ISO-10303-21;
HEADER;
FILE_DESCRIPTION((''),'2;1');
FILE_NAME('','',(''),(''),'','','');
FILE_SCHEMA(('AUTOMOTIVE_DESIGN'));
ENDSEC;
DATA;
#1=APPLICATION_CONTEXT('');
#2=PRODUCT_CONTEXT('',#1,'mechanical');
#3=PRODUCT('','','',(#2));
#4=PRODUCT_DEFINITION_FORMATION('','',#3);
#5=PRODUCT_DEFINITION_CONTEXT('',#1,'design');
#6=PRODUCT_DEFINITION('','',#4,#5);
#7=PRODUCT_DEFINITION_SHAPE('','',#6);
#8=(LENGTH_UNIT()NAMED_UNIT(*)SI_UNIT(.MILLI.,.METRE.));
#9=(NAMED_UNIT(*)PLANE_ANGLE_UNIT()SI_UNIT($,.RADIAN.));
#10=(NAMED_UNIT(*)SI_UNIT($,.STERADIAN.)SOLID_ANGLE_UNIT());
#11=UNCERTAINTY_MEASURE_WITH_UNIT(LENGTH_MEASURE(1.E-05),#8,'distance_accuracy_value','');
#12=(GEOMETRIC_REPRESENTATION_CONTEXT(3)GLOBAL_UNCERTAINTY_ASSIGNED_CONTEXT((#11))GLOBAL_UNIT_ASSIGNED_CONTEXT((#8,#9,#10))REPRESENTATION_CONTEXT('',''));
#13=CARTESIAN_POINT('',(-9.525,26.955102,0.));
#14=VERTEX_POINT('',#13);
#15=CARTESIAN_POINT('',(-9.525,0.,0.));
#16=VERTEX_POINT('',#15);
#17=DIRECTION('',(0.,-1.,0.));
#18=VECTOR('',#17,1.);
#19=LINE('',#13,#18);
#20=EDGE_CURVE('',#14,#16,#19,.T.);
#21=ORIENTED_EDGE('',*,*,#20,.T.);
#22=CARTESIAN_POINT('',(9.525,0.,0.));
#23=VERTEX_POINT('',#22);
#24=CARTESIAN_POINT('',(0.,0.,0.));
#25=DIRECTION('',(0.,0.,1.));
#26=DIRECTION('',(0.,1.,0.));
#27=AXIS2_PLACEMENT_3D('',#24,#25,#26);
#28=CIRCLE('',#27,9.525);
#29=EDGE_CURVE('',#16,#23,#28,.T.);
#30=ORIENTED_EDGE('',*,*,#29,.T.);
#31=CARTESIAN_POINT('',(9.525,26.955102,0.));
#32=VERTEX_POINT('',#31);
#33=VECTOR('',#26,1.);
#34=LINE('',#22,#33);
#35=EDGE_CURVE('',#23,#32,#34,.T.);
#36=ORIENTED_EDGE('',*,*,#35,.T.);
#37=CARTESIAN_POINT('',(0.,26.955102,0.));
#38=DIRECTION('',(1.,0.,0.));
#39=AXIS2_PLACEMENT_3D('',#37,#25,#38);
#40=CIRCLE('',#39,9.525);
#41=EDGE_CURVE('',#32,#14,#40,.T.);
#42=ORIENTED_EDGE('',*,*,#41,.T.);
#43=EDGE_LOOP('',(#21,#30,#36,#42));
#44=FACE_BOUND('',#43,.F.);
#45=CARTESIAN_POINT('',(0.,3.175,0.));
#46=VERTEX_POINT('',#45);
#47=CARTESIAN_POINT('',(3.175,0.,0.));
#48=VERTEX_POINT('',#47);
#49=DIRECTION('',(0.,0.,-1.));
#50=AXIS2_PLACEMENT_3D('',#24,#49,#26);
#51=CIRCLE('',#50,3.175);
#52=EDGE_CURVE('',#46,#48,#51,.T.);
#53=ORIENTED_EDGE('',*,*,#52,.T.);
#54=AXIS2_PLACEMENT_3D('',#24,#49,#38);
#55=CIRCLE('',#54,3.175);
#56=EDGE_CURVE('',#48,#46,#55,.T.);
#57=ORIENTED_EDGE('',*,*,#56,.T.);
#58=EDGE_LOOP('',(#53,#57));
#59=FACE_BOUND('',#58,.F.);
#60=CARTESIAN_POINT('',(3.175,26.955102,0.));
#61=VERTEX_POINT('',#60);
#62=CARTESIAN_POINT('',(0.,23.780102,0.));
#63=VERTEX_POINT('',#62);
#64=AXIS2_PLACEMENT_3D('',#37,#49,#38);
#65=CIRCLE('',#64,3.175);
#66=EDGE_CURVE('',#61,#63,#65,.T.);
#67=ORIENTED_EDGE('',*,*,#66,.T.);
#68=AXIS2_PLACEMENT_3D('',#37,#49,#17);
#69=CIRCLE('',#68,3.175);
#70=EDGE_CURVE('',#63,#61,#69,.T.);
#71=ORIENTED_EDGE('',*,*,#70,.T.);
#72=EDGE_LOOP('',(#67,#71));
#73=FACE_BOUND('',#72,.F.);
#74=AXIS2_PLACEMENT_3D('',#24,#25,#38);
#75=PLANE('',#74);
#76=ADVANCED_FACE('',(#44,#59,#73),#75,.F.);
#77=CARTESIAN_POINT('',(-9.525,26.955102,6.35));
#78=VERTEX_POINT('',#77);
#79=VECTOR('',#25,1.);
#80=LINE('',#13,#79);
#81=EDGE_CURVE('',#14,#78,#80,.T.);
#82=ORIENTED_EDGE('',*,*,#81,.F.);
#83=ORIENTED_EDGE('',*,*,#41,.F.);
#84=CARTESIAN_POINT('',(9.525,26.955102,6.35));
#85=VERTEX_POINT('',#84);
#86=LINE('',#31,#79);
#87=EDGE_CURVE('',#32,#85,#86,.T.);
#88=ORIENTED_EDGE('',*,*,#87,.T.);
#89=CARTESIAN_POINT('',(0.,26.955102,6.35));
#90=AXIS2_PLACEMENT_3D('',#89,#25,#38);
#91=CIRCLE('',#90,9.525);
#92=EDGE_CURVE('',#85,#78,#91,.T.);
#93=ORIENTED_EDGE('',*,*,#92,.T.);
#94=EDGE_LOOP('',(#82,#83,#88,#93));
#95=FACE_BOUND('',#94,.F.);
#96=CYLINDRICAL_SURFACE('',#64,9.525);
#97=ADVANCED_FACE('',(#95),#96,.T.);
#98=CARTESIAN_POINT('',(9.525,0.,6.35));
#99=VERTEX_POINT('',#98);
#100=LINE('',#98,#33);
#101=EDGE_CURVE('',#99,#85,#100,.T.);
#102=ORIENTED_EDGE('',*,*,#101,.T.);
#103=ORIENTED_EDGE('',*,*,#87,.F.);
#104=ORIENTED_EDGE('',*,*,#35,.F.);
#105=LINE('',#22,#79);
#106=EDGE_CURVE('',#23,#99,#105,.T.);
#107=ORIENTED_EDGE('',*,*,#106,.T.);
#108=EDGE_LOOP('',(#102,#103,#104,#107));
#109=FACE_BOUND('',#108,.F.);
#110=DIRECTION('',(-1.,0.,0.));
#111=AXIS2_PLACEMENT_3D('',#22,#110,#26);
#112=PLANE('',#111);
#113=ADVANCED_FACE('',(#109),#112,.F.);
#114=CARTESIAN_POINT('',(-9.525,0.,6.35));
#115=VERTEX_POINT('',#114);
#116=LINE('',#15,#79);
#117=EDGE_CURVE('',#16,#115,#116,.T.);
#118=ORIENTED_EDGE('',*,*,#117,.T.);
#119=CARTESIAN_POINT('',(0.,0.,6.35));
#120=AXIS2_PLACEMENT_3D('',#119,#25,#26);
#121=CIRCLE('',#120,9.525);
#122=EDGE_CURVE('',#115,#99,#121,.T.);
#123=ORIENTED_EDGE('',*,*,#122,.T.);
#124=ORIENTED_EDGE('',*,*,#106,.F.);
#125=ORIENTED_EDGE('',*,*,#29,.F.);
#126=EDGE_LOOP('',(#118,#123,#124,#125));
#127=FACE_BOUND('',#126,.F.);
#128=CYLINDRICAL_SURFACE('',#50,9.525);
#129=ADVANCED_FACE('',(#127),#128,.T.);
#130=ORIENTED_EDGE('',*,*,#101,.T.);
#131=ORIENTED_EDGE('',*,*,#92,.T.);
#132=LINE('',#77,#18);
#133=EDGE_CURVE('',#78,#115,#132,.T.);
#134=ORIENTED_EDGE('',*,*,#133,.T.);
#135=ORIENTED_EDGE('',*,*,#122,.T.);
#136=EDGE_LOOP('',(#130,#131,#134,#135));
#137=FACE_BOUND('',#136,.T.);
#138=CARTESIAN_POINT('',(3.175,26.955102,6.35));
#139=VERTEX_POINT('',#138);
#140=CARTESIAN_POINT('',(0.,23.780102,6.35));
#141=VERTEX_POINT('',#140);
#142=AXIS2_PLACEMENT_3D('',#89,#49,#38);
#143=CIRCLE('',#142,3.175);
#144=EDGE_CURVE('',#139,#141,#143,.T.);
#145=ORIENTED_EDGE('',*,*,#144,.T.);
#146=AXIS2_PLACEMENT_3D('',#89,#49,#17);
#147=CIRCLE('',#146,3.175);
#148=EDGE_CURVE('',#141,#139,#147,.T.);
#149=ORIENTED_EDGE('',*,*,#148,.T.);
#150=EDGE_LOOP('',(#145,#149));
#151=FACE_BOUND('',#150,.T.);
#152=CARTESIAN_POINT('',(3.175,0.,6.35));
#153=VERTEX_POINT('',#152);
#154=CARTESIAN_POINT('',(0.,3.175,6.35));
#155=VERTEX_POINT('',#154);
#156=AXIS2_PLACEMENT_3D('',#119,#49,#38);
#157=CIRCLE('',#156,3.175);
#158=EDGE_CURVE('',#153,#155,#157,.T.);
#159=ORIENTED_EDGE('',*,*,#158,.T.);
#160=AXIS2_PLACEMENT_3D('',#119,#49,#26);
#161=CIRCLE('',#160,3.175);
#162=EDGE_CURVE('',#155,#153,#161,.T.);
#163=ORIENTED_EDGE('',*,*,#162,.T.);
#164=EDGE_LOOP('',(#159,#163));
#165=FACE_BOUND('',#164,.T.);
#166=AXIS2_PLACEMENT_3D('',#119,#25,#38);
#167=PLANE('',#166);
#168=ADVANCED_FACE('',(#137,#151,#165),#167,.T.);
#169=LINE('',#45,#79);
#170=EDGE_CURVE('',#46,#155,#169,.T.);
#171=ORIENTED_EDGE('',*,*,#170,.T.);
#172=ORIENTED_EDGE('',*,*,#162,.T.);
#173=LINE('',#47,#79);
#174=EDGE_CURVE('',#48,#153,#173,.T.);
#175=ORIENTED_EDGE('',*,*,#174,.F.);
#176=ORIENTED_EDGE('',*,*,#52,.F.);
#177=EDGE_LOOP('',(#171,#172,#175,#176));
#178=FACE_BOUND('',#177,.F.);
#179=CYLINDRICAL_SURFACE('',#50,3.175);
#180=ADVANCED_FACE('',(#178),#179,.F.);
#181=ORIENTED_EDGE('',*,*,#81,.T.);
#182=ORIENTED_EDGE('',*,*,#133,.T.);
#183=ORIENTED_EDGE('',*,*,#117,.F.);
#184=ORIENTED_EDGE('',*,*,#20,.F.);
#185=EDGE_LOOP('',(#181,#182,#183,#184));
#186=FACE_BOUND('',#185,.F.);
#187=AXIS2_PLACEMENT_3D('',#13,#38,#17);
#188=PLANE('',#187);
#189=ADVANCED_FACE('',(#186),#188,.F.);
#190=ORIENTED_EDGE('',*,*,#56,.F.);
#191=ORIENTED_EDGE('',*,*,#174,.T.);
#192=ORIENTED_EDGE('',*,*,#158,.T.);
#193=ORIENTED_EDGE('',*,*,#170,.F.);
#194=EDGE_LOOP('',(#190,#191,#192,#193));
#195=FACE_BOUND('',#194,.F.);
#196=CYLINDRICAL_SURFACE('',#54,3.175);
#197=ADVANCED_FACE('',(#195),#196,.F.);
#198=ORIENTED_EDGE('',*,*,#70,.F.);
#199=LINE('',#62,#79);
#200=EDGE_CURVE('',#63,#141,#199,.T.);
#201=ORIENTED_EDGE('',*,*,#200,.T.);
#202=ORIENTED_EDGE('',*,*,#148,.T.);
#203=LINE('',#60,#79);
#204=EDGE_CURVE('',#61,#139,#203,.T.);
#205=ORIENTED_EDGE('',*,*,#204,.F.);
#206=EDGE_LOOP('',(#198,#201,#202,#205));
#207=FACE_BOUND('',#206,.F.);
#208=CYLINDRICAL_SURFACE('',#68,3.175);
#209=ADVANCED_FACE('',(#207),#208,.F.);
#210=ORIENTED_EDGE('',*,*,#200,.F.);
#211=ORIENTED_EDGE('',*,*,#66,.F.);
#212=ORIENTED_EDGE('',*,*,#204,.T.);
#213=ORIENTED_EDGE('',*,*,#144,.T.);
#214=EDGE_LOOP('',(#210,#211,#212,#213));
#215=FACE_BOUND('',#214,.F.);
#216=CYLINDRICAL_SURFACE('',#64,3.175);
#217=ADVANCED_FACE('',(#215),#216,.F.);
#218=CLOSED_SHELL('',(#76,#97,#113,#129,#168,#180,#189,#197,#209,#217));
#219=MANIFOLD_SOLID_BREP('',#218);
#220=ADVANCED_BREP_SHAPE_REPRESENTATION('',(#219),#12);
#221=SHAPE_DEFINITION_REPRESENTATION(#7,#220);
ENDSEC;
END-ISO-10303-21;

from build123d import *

# Parameters (mm, degrees)
F1_DEPTH = 6.35


with BuildPart() as f1:
    # F0 (on Top) → F1 (new body)
    with BuildSketch(Plane.XY):
        with BuildLine():
            ThreePointArc((9.525, 0), (6.7351920908, 6.7351920908), (0, 9.525))
            ThreePointArc((0, 9.525), (-6.7351920908, 6.7351920908), (-9.525, 0))
            ThreePointArc((-9.525, 0), (0, -9.525), (9.525, 0))
        make_face()
        with BuildLine():
            ThreePointArc((3.175, 0), (-2.2450640303, -2.2450640303), (0, 3.175))
            ThreePointArc((0, 3.175), (2.2450640303, 2.2450640303), (3.175, 0))
        make_face(mode=Mode.SUBTRACT)
        with BuildLine():
            ThreePointArc((-9.525, 0), (-6.7351920908, 6.7351920908), (0, 9.525))
            Line((0, 9.525), (0, 17.430102046))
            ThreePointArc((0, 17.430102046), (-6.7351920908, 20.2199099552), (-9.525, 26.955102046))
            Line((-9.525, 26.955102046), (-9.525, 0))
        make_face()
        with BuildLine():
            Line((0, 17.430102046), (0, 9.525))
            ThreePointArc((0, 9.525), (6.7351920908, 6.7351920908), (9.525, 0))
            Line((9.525, 0), (9.525, 26.955102046))
            ThreePointArc((9.525, 26.955102046), (6.7351920908, 20.2199099552), (0, 17.430102046))
        make_face()
        with BuildLine():
            ThreePointArc((-9.525, 26.955102046), (-6.7351920908, 20.2199099552), (0, 17.430102046))
            Line((0, 17.430102046), (0, 23.780102046))
            ThreePointArc((0, 23.780102046), (-2.2450640303, 29.2001660763), (3.175, 26.955102046))
            Line((3.175, 26.955102046), (9.525, 26.955102046))
            ThreePointArc((9.525, 26.955102046), (0, 36.480102046), (-9.525, 26.955102046))
        make_face()
        with BuildLine():
            Line((0, 23.780102046), (0, 17.430102046))
            ThreePointArc((0, 17.430102046), (6.7351920908, 20.2199099552), (9.525, 26.955102046))
            Line((9.525, 26.955102046), (3.175, 26.955102046))
            ThreePointArc((3.175, 26.955102046), (2.2450640303, 24.7100380157), (0, 23.780102046))
        make_face()
    extrude(amount=F1_DEPTH)


solid = f1.part
